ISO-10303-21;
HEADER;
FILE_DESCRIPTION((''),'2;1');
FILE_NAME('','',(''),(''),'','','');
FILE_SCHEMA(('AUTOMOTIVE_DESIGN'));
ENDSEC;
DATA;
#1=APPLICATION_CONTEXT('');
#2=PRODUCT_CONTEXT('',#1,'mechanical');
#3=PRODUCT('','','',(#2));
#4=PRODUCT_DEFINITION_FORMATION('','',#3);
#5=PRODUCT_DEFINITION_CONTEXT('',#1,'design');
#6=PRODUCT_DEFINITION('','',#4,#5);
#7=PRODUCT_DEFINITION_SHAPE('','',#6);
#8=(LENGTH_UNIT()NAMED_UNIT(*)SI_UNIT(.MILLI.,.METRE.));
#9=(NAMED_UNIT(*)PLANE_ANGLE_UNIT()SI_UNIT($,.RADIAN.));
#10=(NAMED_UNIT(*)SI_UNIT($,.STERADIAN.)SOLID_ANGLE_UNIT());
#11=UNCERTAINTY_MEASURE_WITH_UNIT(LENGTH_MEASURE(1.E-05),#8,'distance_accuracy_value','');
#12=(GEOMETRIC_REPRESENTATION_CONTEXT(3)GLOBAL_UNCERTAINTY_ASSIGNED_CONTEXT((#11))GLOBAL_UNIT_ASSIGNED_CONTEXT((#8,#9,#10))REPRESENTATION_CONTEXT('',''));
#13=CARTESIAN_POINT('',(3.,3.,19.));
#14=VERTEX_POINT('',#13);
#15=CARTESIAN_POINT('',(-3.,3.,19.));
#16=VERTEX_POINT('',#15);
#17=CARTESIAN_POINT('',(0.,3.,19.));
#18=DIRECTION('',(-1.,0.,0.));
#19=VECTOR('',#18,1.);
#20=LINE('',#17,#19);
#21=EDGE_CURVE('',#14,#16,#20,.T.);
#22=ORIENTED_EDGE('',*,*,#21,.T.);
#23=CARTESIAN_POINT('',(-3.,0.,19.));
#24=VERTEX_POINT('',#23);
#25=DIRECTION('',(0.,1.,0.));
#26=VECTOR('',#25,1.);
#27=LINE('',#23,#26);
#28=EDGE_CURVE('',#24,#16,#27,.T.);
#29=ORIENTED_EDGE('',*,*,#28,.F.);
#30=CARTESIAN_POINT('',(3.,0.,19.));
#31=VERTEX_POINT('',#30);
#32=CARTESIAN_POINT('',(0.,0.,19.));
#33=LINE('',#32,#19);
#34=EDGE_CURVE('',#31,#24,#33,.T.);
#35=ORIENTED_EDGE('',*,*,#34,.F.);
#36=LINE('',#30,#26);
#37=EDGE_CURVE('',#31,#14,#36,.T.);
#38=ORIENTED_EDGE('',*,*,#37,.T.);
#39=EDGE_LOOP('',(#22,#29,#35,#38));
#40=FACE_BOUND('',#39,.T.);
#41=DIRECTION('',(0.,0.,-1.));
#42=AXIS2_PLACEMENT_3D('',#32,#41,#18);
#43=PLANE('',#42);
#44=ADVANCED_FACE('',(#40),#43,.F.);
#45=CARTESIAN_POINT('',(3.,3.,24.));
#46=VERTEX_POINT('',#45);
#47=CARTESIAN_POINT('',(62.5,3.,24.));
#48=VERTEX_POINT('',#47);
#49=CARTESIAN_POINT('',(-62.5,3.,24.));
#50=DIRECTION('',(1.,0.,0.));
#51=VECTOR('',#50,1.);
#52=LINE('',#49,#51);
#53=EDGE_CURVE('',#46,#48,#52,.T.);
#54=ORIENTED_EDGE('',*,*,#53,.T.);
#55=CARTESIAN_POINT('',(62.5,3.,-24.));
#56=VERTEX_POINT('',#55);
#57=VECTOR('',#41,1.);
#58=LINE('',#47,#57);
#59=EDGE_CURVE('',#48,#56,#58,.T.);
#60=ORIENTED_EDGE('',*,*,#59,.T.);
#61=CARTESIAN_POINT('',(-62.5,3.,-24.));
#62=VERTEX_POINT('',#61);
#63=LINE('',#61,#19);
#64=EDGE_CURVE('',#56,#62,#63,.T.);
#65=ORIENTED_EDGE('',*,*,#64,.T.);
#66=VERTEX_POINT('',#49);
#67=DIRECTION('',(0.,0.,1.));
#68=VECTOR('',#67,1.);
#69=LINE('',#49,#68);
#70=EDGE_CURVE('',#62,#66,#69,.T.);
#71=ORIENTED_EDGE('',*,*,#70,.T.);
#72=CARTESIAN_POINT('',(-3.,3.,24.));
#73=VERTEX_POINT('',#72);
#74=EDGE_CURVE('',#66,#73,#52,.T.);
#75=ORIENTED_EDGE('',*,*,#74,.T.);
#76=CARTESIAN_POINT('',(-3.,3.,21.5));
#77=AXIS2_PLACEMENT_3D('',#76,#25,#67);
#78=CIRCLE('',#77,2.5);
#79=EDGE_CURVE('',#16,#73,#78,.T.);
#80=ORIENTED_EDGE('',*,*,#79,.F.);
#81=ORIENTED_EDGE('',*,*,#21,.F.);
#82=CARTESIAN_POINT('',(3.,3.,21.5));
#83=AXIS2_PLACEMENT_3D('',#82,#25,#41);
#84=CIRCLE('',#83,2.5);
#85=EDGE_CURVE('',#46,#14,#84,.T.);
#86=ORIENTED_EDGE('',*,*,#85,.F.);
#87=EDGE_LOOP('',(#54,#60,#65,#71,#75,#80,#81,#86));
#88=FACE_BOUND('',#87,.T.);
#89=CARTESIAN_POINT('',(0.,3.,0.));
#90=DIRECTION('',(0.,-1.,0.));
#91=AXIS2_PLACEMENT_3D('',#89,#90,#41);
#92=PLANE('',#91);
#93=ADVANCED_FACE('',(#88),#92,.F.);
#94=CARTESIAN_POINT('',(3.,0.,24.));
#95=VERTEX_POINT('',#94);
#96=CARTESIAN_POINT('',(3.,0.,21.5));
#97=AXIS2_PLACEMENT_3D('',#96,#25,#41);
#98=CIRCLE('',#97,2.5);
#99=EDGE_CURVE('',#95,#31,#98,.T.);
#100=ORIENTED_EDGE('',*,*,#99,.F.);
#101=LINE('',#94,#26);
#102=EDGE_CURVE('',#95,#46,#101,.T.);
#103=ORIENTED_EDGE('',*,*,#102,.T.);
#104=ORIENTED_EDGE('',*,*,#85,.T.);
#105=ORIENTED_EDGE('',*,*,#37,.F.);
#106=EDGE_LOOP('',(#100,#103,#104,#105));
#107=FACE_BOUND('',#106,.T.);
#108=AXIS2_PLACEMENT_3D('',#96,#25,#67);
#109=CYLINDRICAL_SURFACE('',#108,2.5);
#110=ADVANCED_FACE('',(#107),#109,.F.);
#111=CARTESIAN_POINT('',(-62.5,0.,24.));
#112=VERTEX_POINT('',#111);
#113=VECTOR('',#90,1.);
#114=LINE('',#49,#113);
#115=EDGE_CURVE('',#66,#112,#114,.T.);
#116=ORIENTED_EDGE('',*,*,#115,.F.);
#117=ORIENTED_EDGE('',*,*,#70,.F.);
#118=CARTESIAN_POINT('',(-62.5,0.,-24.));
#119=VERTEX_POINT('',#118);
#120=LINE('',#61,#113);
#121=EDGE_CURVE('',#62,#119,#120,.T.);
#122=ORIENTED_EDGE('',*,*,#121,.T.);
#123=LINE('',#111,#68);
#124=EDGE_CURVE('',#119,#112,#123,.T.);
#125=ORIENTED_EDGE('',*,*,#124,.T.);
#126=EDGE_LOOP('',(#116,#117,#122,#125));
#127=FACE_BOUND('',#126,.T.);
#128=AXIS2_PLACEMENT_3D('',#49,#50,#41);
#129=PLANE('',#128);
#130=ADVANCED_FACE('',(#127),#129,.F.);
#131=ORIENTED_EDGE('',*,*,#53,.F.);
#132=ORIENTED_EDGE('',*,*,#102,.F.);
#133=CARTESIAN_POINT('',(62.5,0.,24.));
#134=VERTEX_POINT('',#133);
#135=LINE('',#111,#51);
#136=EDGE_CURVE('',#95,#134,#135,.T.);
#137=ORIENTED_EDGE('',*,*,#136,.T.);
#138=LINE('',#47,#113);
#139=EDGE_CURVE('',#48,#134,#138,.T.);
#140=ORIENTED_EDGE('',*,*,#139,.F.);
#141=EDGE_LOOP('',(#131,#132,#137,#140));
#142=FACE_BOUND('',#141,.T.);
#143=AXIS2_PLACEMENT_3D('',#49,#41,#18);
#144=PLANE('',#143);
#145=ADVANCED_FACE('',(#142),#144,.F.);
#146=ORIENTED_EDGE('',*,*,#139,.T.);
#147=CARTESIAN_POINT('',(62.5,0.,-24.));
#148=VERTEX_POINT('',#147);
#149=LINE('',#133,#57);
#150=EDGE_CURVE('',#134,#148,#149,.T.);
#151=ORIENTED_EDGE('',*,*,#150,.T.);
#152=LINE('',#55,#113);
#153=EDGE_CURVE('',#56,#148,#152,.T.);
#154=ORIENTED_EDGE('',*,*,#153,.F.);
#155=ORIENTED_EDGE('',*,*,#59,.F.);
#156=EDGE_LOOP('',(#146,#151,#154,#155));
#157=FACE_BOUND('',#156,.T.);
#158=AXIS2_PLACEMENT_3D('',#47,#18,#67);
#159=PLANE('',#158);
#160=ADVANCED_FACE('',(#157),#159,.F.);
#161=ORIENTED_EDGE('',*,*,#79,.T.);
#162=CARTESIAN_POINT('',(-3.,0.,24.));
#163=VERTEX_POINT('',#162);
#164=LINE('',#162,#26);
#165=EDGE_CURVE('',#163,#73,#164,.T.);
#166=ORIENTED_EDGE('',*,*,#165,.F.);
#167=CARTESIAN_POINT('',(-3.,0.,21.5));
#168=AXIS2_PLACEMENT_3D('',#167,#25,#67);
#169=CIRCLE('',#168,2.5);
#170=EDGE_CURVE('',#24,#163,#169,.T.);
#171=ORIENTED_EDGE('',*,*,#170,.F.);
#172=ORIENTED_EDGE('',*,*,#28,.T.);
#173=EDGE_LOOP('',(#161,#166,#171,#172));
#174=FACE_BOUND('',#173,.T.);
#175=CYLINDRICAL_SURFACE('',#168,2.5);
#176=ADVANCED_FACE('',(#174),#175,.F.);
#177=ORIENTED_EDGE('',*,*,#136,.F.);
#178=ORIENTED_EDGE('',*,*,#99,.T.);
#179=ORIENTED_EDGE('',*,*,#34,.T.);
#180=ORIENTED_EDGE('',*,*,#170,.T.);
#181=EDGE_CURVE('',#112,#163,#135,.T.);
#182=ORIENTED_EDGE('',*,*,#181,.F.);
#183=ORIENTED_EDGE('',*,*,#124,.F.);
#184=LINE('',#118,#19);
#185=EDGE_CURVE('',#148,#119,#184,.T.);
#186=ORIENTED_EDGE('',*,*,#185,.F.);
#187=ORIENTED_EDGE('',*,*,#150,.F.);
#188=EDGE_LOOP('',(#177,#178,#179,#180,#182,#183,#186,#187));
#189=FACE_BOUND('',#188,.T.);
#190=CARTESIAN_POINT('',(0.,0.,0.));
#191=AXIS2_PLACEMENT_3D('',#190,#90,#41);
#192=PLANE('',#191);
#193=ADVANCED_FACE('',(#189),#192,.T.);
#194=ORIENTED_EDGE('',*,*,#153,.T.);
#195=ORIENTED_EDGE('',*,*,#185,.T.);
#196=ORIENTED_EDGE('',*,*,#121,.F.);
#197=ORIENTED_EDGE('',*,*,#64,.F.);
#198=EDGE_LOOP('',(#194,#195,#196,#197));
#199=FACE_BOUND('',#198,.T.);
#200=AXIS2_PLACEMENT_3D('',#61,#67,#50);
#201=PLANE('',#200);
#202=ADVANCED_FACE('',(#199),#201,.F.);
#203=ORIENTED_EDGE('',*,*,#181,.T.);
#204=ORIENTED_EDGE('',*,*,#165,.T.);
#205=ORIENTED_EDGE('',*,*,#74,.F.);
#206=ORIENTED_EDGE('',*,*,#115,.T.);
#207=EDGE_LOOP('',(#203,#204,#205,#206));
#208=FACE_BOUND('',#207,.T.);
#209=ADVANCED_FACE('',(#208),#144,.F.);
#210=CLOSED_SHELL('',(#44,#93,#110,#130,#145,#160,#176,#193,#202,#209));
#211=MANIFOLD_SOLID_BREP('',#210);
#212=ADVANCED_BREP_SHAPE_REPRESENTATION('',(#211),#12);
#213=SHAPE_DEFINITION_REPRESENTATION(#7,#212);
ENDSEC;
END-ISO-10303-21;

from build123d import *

# Parameters (mm, degrees)
SKETCH1_W           = 125
SKETCH1_H           = 48
BOSS_EXTRUDE1_DEPTH = 3
CUT_EXTRUDE1_DEPTH  = 3


with BuildPart() as part:
    # Sketch1 → Boss-Extrude1 (new body)
    with BuildSketch(Plane(origin=(0, 0, 0), x_dir=(1, 0, 0), z_dir=(0, 1, 0))):
        Rectangle(SKETCH1_W, SKETCH1_H)
    extrude(amount=BOSS_EXTRUDE1_DEPTH)

    # Sketch2 → Cut-Extrude1 (cut)
    with BuildSketch(Plane(origin=(0, 3, 0), x_dir=(1, 0, 0), z_dir=(0, 1, 0))):
        with BuildLine():
            Line((0, -19), (3, -19))
            ThreePointArc((3, -19), (5.5, -21.5), (3, -24))
            Line((3, -24), (-3, -24))
            ThreePointArc((-3, -24), (-5.5, -21.5), (-3, -19))
            Line((-3, -19), (0, -19))
        make_face()
    extrude(amount=-CUT_EXTRUDE1_DEPTH, mode=Mode.SUBTRACT)


solid = part.part
